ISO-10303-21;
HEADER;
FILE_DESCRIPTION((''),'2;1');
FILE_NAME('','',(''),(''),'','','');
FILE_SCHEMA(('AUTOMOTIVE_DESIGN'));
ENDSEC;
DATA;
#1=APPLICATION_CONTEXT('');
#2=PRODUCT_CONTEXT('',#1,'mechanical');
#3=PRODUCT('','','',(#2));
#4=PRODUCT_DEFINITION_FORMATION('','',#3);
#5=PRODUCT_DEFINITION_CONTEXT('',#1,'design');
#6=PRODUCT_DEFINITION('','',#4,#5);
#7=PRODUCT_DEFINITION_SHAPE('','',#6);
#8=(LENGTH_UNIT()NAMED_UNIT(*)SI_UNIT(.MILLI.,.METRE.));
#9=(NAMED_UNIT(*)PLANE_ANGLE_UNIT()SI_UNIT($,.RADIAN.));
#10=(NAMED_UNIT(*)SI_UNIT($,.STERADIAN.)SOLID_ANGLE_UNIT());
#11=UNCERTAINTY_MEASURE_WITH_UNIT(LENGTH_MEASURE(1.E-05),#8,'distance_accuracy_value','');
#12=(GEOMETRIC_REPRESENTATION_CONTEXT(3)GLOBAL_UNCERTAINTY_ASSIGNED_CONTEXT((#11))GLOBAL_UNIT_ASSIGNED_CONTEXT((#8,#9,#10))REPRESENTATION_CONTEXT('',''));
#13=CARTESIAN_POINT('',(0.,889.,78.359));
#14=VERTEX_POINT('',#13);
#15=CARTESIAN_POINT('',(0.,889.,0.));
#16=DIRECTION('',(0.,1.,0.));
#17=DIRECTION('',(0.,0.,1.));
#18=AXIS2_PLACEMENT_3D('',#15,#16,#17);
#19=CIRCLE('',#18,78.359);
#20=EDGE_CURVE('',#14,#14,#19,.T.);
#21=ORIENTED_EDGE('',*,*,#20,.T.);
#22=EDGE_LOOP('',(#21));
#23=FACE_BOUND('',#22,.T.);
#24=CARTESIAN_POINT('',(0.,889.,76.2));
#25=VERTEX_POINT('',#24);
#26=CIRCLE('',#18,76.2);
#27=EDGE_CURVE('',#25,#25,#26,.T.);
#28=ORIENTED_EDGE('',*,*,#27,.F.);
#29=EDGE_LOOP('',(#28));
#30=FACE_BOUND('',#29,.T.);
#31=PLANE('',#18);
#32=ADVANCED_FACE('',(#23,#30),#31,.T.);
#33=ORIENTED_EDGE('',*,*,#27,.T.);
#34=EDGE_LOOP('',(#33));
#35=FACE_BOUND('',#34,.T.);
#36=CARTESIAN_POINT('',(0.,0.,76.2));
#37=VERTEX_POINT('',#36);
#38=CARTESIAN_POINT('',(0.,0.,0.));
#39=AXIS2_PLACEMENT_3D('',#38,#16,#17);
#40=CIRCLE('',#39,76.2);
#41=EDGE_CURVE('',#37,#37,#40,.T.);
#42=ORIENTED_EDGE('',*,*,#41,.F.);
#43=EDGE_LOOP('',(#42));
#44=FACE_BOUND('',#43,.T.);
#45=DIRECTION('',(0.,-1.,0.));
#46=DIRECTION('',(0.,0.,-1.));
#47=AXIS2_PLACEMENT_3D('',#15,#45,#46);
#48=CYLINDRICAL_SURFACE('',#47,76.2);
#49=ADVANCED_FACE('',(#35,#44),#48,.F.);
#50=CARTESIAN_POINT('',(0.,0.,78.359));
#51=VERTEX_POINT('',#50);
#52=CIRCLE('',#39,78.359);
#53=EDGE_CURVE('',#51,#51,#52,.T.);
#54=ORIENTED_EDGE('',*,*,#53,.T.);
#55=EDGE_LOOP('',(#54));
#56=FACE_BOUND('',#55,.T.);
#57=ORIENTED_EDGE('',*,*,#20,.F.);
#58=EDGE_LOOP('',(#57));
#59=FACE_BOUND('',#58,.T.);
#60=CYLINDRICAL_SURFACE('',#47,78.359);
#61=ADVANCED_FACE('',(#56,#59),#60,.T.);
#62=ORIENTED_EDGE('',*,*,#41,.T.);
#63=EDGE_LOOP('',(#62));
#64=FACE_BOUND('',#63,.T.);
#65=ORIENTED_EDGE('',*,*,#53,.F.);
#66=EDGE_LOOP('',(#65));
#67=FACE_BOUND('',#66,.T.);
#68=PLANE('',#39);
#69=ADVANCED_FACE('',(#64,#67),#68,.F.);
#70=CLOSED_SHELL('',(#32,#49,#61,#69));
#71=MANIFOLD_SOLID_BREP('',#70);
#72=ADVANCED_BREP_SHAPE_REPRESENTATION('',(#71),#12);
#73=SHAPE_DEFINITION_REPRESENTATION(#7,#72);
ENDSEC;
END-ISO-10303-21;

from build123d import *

# Parameters (mm, degrees)
SKETCH1_R           = 78.359
SKETCH1_R_2         = 76.2
BOSS_EXTRUDE1_DEPTH = 889


with BuildPart() as part:
    # Sketch1 → Boss-Extrude1 (new body)
    with BuildSketch(Plane(origin=(0, 0, 0), x_dir=(1, 0, 0), z_dir=(0, 1, 0))):
        with Locations(Location((0, 0, 0), (0, 0, 270))):
            Circle(SKETCH1_R)
        with Locations(Location((0, 0, 0), (0, 0, 270))):
            Circle(SKETCH1_R_2, mode=Mode.SUBTRACT)
    extrude(amount=BOSS_EXTRUDE1_DEPTH)


solid = part.part
